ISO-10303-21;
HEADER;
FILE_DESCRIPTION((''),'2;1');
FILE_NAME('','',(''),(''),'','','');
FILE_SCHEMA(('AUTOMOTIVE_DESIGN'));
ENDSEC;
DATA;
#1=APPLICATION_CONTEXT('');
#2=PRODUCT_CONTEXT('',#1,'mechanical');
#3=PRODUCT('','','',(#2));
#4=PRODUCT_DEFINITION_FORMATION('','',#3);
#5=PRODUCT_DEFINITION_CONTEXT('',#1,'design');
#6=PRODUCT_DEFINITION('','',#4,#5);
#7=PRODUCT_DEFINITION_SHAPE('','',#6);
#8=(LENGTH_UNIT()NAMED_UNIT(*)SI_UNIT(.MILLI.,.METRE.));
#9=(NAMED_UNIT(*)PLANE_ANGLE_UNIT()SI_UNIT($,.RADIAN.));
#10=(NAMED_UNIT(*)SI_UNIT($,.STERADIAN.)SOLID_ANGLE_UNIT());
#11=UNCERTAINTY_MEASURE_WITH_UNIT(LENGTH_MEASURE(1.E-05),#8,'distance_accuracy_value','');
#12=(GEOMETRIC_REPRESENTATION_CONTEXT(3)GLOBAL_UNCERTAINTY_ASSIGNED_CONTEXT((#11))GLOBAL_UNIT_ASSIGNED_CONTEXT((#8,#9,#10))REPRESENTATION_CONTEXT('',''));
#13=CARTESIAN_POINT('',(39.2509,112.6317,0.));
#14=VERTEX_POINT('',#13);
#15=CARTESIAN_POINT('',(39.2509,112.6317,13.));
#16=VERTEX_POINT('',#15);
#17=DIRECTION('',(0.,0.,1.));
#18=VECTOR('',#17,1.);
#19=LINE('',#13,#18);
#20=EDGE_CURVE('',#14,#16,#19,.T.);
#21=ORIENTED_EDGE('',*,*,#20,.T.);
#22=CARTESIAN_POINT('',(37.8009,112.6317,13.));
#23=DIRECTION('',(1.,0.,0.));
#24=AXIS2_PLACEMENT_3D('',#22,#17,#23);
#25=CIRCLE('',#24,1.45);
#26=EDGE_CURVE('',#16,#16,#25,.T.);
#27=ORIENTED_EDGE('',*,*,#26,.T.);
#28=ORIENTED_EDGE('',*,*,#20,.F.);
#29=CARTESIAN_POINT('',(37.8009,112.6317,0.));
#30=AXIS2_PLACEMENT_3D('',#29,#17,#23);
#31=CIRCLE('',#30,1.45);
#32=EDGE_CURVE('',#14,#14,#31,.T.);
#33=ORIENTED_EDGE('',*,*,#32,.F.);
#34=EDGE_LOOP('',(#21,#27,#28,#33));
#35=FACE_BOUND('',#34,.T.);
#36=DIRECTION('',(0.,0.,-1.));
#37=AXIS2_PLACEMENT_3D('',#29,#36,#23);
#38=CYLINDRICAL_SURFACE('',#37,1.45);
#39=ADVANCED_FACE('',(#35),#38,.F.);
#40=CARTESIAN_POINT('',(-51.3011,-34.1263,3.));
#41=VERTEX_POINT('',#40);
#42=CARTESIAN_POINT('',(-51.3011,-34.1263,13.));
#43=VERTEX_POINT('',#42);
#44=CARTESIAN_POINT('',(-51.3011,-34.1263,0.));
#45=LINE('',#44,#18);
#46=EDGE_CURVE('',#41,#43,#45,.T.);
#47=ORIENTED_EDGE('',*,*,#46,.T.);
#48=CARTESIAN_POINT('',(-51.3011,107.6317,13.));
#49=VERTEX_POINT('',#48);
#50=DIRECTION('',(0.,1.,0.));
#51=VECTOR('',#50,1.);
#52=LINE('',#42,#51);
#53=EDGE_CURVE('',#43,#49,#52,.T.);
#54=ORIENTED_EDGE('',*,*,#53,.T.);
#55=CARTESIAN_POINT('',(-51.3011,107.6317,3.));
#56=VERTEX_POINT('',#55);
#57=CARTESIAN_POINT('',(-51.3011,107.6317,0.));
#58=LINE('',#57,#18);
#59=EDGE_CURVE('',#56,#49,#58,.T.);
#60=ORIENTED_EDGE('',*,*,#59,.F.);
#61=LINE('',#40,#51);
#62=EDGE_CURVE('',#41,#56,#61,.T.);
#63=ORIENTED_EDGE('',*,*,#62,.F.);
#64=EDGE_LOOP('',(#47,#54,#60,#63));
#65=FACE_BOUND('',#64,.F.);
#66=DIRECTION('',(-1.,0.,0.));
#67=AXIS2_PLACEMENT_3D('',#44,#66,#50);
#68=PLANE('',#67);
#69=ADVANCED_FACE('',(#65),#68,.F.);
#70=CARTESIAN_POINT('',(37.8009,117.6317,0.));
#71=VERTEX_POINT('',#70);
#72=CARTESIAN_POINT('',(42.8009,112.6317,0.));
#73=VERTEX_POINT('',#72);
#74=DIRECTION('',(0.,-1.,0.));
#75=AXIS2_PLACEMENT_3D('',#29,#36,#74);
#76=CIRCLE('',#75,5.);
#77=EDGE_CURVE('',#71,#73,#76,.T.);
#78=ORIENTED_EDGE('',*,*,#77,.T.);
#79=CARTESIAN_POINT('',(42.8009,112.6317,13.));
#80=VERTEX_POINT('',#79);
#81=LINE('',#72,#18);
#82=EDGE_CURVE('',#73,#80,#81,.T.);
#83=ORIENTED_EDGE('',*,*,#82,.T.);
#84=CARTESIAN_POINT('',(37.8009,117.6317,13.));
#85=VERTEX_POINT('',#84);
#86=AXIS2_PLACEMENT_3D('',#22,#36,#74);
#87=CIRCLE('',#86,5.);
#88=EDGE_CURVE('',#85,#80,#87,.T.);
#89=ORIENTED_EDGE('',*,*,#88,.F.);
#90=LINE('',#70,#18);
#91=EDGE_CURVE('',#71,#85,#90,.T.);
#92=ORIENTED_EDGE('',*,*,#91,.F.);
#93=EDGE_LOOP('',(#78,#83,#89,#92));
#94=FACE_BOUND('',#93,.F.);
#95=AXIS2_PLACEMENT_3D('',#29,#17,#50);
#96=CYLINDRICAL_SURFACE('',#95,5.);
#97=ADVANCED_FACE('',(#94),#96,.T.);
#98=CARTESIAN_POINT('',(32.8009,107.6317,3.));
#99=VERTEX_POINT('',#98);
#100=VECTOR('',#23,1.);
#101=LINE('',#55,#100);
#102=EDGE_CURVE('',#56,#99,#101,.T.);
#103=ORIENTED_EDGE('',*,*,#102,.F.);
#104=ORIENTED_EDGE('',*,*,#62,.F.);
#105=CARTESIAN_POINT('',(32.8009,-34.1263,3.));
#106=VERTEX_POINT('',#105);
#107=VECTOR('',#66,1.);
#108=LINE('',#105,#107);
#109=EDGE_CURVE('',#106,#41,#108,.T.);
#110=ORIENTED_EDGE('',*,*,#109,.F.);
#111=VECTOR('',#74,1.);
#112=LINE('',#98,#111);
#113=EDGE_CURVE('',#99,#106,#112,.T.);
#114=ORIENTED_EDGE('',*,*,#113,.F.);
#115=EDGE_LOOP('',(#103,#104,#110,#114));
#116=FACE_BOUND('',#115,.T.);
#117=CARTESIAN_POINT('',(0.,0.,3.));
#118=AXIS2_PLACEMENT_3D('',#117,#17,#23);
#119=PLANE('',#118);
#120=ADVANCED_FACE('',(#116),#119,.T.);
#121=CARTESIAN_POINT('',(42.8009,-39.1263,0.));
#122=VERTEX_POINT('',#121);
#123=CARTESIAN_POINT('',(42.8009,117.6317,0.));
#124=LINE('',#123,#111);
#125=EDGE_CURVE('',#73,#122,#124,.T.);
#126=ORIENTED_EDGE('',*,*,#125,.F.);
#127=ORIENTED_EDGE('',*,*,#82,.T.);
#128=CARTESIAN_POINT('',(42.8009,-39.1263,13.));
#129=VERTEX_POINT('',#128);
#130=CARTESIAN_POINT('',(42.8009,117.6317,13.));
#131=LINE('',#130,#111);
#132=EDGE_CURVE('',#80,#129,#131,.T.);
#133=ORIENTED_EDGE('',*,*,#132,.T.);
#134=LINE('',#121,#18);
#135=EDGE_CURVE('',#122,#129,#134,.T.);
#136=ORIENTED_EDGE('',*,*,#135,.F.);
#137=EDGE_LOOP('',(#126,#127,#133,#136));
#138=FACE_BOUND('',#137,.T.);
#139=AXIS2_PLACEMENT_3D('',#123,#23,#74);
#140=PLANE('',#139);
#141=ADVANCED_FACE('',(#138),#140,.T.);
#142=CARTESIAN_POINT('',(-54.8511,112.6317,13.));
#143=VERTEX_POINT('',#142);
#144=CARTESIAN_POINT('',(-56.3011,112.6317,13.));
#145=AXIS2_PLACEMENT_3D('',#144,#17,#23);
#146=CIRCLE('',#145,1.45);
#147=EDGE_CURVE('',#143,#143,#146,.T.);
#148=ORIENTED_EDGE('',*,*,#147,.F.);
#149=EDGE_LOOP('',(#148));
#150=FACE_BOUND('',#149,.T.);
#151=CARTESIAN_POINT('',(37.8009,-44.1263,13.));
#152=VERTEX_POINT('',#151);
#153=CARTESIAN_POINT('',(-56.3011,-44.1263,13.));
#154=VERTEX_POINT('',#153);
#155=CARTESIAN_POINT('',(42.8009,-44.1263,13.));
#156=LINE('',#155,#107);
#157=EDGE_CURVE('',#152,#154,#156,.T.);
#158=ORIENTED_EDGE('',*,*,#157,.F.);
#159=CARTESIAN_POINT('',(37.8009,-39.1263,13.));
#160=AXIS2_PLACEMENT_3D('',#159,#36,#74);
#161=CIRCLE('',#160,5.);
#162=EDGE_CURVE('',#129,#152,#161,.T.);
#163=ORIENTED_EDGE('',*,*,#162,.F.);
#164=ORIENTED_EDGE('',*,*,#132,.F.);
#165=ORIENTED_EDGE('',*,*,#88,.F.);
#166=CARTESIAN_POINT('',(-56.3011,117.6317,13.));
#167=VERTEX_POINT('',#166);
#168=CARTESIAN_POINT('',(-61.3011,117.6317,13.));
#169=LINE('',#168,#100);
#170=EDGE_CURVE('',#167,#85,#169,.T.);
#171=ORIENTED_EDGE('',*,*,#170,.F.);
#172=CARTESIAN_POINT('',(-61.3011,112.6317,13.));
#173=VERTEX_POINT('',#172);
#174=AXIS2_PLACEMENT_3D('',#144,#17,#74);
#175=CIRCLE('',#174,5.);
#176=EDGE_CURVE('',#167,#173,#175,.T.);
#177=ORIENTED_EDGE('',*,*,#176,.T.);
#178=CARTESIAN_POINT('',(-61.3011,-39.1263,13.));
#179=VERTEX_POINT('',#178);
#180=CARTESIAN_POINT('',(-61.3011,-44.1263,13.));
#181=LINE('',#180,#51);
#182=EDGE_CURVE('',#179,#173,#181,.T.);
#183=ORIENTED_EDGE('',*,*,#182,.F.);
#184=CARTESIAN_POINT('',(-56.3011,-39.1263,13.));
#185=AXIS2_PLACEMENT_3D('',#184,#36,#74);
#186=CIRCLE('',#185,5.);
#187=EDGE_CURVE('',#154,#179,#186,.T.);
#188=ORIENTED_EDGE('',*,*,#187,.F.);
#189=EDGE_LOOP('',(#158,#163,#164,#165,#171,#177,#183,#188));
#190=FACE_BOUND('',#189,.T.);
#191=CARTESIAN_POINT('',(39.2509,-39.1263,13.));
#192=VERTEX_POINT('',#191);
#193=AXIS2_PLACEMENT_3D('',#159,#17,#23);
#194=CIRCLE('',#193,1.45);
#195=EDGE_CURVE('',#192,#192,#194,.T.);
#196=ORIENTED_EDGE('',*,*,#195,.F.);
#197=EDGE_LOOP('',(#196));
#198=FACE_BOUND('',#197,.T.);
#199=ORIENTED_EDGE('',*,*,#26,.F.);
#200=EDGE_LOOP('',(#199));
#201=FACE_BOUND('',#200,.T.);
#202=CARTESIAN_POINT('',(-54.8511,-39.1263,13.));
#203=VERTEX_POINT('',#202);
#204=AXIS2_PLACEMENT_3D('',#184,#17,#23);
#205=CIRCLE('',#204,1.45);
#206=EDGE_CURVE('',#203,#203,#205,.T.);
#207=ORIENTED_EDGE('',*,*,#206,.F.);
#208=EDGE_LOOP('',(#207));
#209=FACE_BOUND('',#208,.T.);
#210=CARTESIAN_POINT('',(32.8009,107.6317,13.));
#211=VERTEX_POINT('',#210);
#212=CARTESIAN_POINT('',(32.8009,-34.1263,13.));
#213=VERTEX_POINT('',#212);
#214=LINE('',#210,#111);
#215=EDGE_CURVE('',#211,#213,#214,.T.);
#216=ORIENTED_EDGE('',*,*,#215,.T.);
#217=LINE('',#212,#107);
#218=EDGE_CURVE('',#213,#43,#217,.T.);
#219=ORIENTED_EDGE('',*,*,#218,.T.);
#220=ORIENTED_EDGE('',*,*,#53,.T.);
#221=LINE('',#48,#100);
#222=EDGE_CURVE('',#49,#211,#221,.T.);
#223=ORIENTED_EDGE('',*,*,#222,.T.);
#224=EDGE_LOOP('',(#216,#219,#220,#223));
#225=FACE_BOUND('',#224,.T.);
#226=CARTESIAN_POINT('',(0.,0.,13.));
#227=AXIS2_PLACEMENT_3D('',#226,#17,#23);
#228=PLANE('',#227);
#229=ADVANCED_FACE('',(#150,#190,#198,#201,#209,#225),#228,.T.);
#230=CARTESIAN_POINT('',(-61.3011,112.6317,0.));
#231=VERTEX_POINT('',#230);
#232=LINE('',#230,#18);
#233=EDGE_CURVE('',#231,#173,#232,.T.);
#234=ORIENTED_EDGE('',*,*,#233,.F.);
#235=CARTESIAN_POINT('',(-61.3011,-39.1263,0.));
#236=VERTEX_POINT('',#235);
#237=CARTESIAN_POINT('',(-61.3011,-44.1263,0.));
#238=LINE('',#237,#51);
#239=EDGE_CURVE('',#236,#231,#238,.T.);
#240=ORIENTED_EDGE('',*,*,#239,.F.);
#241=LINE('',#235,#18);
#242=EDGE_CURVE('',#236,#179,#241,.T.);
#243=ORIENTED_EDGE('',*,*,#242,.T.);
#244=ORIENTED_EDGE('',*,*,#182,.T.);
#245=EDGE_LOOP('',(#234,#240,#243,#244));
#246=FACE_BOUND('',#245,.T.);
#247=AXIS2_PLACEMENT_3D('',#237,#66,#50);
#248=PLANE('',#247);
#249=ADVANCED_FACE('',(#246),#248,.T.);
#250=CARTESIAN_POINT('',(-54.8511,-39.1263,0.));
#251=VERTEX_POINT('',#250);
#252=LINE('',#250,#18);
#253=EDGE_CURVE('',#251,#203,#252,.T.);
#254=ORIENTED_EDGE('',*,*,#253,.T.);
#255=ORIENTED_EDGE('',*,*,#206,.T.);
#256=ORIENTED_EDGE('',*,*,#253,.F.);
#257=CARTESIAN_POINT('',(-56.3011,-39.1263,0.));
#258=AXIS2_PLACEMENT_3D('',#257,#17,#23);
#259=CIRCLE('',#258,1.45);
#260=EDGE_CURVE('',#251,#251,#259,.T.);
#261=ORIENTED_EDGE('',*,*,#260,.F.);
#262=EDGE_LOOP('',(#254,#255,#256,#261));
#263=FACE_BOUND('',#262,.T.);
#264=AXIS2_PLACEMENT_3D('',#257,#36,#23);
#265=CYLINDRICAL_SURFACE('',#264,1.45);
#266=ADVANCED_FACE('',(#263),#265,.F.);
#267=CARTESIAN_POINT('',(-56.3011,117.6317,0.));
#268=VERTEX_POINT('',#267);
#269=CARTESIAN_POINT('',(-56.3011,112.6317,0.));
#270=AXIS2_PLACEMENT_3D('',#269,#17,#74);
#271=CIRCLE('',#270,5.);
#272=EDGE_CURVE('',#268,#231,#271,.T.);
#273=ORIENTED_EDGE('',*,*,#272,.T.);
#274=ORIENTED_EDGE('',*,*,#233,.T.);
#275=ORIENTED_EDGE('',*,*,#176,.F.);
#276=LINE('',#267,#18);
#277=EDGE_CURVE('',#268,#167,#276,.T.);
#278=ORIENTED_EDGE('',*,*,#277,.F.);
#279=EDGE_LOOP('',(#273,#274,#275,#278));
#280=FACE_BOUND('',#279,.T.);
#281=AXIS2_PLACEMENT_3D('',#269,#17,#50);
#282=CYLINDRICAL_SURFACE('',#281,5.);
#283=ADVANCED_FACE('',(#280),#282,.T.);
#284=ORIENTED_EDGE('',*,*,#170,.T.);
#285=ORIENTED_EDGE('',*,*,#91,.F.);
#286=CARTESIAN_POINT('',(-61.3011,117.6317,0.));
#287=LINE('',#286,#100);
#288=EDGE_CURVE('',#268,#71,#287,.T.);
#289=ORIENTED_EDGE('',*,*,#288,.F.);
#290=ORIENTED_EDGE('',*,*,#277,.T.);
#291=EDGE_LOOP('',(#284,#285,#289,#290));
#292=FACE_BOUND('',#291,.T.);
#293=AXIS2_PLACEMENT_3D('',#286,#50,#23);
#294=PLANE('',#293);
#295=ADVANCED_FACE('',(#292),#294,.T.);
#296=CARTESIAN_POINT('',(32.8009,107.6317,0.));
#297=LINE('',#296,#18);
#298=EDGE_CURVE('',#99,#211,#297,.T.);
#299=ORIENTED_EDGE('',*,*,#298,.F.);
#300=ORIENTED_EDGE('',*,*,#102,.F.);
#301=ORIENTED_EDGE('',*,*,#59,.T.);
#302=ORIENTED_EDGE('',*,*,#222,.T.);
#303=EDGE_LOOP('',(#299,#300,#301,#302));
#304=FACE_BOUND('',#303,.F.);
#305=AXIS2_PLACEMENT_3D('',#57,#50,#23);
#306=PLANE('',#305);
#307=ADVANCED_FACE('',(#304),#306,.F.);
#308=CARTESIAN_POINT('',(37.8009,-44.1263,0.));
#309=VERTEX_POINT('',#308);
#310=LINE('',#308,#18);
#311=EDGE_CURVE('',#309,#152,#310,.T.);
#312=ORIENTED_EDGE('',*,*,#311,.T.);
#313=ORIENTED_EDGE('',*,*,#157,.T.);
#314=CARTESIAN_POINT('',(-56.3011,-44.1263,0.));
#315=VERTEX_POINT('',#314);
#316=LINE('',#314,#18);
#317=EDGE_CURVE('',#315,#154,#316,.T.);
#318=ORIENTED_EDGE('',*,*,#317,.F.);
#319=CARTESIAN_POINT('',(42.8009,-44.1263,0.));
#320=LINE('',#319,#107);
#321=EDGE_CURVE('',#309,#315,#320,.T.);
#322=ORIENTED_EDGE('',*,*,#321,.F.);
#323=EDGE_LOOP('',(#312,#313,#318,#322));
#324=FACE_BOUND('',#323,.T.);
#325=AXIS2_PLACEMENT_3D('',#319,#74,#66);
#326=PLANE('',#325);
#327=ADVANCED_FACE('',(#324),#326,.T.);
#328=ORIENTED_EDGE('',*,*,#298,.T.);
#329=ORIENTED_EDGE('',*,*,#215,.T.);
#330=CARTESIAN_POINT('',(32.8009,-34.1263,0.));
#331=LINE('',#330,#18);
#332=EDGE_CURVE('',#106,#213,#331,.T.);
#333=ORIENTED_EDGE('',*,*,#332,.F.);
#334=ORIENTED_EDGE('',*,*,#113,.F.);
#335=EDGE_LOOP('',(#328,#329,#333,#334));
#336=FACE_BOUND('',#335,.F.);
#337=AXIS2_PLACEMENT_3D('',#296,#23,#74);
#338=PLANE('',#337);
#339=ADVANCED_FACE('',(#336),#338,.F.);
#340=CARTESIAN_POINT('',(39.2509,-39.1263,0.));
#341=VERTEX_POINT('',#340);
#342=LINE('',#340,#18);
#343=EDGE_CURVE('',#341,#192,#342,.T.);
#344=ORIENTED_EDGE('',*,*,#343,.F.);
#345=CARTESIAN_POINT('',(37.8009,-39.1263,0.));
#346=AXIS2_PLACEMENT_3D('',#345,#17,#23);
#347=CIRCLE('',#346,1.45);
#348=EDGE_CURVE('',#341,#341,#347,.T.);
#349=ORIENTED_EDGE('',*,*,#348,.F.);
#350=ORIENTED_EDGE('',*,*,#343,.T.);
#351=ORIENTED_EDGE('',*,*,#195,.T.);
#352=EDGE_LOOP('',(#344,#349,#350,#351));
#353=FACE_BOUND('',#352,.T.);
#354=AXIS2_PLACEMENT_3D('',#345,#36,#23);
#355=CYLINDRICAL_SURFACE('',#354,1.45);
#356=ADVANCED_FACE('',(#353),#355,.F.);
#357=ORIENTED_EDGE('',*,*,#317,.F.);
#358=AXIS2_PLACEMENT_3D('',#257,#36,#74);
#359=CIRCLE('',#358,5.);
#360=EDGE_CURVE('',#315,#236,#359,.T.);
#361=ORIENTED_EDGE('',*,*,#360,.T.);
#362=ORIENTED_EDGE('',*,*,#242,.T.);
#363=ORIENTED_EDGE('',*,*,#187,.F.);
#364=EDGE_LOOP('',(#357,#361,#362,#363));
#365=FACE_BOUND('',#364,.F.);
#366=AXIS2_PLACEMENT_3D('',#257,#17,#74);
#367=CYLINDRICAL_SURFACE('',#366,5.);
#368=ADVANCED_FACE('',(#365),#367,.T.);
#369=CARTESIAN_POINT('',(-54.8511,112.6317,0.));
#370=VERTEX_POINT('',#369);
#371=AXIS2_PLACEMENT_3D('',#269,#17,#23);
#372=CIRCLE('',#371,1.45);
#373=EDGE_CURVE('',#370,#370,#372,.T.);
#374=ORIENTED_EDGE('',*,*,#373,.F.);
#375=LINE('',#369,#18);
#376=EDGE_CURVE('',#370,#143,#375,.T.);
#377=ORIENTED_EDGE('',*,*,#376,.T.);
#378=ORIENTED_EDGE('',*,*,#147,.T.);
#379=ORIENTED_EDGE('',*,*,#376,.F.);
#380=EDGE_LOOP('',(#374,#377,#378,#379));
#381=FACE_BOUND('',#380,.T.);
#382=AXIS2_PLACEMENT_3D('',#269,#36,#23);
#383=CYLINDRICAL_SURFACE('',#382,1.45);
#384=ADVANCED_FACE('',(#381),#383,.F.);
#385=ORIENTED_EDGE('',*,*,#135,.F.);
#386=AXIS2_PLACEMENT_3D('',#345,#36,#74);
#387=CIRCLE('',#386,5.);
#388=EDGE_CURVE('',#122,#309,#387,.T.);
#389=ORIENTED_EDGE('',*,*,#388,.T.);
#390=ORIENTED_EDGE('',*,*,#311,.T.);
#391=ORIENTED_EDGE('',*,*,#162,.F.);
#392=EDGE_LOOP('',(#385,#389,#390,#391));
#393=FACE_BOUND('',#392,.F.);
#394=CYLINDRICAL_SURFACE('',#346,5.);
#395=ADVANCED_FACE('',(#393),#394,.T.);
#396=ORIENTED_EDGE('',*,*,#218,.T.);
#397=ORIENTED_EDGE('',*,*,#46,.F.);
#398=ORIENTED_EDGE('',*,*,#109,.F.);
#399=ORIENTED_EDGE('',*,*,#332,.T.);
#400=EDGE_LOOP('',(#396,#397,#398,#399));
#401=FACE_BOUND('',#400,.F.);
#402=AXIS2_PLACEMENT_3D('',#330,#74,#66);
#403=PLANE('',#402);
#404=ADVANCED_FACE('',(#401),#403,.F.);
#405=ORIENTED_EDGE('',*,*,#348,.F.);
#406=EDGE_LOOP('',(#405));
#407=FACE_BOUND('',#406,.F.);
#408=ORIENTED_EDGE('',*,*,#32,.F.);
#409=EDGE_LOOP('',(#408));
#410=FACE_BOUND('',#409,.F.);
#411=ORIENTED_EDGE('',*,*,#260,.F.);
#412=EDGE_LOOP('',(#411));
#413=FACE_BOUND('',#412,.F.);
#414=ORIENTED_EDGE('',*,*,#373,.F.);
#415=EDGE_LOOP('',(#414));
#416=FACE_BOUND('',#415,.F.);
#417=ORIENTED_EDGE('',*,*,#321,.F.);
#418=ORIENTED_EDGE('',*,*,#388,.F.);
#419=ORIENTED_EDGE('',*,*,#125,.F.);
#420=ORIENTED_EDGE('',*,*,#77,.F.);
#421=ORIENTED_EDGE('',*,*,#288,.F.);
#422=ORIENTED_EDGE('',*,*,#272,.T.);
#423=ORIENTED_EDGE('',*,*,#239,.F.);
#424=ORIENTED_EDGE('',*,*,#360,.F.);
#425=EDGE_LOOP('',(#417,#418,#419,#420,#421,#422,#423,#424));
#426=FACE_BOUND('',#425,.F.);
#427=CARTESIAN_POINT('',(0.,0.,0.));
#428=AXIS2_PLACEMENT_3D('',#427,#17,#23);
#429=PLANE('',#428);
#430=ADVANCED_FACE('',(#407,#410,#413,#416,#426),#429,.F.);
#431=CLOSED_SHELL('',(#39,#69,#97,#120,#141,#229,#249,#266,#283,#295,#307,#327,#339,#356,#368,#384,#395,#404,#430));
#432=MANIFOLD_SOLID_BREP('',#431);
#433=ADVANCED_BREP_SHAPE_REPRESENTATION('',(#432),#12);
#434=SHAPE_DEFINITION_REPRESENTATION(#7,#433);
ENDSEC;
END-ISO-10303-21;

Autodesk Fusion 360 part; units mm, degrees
sketch "Sketch1" plane through (0, 0, 0) normal (0, 0, 1) x (1, 0, 0)
  line L0 (-51.3011, 107.6317) -> (32.8009, 107.6317)
  line L1 (32.8009, 107.6317) -> (32.8009, -34.1263)
  line L2 (32.8009, -34.1263) -> (-51.3011, -34.1263)
  line L3 (-51.3011, -34.1263) -> (-51.3011, 107.6317)
  line L4 (-61.3011, 117.6317) -> (42.8009, 117.6317)
  line L5 (42.8009, 117.6317) -> (42.8009, -44.1263)
  line L6 (42.8009, -44.1263) -> (-61.3011, -44.1263)
  line L7 (-61.3011, -44.1263) -> (-61.3011, 117.6317)
  circle A0 centre (37.8009, 112.6317) radius 1.45
  circle A1 centre (37.8009, -39.1263) radius 1.45
  circle A2 centre (-56.3011, -39.1263) radius 1.45
  circle A3 centre (-56.3011, 112.6317) radius 1.45
  dimension "d1" = 84.102
  dimension "d2" = 141.758
  dimension "d3" = 104.102
  dimension "d4" = 161.758
  dimension "d5" = 10
  dimension "d6" = 10
  dimension "d7" = 2.9
  dimension "d8" = 5
  dimension "d9" = 5
  dimension "d10" = 2.9
  dimension "d11" = 5
  dimension "d12" = 5
  dimension "d13" = 2.9
  dimension "d14" = 5
  dimension "d15" = 5
  dimension "d16" = 2.9
  dimension "d17" = 5
  dimension "d18" = 5
extrude "Extrude1" add sketch "Sketch1" along normal blind 3 contours L0 L1 L2 L3
extrude "Extrude2" add sketch "Sketch1" along normal blind 13
fillet "Fillet1" radius 5 4 edges at (42.8009, -44.1263, 6.5) (42.8009, 117.6317, 6.5) (-61.3011, 117.6317, 6.5) (-61.3011, -44.1263, 6.5)
